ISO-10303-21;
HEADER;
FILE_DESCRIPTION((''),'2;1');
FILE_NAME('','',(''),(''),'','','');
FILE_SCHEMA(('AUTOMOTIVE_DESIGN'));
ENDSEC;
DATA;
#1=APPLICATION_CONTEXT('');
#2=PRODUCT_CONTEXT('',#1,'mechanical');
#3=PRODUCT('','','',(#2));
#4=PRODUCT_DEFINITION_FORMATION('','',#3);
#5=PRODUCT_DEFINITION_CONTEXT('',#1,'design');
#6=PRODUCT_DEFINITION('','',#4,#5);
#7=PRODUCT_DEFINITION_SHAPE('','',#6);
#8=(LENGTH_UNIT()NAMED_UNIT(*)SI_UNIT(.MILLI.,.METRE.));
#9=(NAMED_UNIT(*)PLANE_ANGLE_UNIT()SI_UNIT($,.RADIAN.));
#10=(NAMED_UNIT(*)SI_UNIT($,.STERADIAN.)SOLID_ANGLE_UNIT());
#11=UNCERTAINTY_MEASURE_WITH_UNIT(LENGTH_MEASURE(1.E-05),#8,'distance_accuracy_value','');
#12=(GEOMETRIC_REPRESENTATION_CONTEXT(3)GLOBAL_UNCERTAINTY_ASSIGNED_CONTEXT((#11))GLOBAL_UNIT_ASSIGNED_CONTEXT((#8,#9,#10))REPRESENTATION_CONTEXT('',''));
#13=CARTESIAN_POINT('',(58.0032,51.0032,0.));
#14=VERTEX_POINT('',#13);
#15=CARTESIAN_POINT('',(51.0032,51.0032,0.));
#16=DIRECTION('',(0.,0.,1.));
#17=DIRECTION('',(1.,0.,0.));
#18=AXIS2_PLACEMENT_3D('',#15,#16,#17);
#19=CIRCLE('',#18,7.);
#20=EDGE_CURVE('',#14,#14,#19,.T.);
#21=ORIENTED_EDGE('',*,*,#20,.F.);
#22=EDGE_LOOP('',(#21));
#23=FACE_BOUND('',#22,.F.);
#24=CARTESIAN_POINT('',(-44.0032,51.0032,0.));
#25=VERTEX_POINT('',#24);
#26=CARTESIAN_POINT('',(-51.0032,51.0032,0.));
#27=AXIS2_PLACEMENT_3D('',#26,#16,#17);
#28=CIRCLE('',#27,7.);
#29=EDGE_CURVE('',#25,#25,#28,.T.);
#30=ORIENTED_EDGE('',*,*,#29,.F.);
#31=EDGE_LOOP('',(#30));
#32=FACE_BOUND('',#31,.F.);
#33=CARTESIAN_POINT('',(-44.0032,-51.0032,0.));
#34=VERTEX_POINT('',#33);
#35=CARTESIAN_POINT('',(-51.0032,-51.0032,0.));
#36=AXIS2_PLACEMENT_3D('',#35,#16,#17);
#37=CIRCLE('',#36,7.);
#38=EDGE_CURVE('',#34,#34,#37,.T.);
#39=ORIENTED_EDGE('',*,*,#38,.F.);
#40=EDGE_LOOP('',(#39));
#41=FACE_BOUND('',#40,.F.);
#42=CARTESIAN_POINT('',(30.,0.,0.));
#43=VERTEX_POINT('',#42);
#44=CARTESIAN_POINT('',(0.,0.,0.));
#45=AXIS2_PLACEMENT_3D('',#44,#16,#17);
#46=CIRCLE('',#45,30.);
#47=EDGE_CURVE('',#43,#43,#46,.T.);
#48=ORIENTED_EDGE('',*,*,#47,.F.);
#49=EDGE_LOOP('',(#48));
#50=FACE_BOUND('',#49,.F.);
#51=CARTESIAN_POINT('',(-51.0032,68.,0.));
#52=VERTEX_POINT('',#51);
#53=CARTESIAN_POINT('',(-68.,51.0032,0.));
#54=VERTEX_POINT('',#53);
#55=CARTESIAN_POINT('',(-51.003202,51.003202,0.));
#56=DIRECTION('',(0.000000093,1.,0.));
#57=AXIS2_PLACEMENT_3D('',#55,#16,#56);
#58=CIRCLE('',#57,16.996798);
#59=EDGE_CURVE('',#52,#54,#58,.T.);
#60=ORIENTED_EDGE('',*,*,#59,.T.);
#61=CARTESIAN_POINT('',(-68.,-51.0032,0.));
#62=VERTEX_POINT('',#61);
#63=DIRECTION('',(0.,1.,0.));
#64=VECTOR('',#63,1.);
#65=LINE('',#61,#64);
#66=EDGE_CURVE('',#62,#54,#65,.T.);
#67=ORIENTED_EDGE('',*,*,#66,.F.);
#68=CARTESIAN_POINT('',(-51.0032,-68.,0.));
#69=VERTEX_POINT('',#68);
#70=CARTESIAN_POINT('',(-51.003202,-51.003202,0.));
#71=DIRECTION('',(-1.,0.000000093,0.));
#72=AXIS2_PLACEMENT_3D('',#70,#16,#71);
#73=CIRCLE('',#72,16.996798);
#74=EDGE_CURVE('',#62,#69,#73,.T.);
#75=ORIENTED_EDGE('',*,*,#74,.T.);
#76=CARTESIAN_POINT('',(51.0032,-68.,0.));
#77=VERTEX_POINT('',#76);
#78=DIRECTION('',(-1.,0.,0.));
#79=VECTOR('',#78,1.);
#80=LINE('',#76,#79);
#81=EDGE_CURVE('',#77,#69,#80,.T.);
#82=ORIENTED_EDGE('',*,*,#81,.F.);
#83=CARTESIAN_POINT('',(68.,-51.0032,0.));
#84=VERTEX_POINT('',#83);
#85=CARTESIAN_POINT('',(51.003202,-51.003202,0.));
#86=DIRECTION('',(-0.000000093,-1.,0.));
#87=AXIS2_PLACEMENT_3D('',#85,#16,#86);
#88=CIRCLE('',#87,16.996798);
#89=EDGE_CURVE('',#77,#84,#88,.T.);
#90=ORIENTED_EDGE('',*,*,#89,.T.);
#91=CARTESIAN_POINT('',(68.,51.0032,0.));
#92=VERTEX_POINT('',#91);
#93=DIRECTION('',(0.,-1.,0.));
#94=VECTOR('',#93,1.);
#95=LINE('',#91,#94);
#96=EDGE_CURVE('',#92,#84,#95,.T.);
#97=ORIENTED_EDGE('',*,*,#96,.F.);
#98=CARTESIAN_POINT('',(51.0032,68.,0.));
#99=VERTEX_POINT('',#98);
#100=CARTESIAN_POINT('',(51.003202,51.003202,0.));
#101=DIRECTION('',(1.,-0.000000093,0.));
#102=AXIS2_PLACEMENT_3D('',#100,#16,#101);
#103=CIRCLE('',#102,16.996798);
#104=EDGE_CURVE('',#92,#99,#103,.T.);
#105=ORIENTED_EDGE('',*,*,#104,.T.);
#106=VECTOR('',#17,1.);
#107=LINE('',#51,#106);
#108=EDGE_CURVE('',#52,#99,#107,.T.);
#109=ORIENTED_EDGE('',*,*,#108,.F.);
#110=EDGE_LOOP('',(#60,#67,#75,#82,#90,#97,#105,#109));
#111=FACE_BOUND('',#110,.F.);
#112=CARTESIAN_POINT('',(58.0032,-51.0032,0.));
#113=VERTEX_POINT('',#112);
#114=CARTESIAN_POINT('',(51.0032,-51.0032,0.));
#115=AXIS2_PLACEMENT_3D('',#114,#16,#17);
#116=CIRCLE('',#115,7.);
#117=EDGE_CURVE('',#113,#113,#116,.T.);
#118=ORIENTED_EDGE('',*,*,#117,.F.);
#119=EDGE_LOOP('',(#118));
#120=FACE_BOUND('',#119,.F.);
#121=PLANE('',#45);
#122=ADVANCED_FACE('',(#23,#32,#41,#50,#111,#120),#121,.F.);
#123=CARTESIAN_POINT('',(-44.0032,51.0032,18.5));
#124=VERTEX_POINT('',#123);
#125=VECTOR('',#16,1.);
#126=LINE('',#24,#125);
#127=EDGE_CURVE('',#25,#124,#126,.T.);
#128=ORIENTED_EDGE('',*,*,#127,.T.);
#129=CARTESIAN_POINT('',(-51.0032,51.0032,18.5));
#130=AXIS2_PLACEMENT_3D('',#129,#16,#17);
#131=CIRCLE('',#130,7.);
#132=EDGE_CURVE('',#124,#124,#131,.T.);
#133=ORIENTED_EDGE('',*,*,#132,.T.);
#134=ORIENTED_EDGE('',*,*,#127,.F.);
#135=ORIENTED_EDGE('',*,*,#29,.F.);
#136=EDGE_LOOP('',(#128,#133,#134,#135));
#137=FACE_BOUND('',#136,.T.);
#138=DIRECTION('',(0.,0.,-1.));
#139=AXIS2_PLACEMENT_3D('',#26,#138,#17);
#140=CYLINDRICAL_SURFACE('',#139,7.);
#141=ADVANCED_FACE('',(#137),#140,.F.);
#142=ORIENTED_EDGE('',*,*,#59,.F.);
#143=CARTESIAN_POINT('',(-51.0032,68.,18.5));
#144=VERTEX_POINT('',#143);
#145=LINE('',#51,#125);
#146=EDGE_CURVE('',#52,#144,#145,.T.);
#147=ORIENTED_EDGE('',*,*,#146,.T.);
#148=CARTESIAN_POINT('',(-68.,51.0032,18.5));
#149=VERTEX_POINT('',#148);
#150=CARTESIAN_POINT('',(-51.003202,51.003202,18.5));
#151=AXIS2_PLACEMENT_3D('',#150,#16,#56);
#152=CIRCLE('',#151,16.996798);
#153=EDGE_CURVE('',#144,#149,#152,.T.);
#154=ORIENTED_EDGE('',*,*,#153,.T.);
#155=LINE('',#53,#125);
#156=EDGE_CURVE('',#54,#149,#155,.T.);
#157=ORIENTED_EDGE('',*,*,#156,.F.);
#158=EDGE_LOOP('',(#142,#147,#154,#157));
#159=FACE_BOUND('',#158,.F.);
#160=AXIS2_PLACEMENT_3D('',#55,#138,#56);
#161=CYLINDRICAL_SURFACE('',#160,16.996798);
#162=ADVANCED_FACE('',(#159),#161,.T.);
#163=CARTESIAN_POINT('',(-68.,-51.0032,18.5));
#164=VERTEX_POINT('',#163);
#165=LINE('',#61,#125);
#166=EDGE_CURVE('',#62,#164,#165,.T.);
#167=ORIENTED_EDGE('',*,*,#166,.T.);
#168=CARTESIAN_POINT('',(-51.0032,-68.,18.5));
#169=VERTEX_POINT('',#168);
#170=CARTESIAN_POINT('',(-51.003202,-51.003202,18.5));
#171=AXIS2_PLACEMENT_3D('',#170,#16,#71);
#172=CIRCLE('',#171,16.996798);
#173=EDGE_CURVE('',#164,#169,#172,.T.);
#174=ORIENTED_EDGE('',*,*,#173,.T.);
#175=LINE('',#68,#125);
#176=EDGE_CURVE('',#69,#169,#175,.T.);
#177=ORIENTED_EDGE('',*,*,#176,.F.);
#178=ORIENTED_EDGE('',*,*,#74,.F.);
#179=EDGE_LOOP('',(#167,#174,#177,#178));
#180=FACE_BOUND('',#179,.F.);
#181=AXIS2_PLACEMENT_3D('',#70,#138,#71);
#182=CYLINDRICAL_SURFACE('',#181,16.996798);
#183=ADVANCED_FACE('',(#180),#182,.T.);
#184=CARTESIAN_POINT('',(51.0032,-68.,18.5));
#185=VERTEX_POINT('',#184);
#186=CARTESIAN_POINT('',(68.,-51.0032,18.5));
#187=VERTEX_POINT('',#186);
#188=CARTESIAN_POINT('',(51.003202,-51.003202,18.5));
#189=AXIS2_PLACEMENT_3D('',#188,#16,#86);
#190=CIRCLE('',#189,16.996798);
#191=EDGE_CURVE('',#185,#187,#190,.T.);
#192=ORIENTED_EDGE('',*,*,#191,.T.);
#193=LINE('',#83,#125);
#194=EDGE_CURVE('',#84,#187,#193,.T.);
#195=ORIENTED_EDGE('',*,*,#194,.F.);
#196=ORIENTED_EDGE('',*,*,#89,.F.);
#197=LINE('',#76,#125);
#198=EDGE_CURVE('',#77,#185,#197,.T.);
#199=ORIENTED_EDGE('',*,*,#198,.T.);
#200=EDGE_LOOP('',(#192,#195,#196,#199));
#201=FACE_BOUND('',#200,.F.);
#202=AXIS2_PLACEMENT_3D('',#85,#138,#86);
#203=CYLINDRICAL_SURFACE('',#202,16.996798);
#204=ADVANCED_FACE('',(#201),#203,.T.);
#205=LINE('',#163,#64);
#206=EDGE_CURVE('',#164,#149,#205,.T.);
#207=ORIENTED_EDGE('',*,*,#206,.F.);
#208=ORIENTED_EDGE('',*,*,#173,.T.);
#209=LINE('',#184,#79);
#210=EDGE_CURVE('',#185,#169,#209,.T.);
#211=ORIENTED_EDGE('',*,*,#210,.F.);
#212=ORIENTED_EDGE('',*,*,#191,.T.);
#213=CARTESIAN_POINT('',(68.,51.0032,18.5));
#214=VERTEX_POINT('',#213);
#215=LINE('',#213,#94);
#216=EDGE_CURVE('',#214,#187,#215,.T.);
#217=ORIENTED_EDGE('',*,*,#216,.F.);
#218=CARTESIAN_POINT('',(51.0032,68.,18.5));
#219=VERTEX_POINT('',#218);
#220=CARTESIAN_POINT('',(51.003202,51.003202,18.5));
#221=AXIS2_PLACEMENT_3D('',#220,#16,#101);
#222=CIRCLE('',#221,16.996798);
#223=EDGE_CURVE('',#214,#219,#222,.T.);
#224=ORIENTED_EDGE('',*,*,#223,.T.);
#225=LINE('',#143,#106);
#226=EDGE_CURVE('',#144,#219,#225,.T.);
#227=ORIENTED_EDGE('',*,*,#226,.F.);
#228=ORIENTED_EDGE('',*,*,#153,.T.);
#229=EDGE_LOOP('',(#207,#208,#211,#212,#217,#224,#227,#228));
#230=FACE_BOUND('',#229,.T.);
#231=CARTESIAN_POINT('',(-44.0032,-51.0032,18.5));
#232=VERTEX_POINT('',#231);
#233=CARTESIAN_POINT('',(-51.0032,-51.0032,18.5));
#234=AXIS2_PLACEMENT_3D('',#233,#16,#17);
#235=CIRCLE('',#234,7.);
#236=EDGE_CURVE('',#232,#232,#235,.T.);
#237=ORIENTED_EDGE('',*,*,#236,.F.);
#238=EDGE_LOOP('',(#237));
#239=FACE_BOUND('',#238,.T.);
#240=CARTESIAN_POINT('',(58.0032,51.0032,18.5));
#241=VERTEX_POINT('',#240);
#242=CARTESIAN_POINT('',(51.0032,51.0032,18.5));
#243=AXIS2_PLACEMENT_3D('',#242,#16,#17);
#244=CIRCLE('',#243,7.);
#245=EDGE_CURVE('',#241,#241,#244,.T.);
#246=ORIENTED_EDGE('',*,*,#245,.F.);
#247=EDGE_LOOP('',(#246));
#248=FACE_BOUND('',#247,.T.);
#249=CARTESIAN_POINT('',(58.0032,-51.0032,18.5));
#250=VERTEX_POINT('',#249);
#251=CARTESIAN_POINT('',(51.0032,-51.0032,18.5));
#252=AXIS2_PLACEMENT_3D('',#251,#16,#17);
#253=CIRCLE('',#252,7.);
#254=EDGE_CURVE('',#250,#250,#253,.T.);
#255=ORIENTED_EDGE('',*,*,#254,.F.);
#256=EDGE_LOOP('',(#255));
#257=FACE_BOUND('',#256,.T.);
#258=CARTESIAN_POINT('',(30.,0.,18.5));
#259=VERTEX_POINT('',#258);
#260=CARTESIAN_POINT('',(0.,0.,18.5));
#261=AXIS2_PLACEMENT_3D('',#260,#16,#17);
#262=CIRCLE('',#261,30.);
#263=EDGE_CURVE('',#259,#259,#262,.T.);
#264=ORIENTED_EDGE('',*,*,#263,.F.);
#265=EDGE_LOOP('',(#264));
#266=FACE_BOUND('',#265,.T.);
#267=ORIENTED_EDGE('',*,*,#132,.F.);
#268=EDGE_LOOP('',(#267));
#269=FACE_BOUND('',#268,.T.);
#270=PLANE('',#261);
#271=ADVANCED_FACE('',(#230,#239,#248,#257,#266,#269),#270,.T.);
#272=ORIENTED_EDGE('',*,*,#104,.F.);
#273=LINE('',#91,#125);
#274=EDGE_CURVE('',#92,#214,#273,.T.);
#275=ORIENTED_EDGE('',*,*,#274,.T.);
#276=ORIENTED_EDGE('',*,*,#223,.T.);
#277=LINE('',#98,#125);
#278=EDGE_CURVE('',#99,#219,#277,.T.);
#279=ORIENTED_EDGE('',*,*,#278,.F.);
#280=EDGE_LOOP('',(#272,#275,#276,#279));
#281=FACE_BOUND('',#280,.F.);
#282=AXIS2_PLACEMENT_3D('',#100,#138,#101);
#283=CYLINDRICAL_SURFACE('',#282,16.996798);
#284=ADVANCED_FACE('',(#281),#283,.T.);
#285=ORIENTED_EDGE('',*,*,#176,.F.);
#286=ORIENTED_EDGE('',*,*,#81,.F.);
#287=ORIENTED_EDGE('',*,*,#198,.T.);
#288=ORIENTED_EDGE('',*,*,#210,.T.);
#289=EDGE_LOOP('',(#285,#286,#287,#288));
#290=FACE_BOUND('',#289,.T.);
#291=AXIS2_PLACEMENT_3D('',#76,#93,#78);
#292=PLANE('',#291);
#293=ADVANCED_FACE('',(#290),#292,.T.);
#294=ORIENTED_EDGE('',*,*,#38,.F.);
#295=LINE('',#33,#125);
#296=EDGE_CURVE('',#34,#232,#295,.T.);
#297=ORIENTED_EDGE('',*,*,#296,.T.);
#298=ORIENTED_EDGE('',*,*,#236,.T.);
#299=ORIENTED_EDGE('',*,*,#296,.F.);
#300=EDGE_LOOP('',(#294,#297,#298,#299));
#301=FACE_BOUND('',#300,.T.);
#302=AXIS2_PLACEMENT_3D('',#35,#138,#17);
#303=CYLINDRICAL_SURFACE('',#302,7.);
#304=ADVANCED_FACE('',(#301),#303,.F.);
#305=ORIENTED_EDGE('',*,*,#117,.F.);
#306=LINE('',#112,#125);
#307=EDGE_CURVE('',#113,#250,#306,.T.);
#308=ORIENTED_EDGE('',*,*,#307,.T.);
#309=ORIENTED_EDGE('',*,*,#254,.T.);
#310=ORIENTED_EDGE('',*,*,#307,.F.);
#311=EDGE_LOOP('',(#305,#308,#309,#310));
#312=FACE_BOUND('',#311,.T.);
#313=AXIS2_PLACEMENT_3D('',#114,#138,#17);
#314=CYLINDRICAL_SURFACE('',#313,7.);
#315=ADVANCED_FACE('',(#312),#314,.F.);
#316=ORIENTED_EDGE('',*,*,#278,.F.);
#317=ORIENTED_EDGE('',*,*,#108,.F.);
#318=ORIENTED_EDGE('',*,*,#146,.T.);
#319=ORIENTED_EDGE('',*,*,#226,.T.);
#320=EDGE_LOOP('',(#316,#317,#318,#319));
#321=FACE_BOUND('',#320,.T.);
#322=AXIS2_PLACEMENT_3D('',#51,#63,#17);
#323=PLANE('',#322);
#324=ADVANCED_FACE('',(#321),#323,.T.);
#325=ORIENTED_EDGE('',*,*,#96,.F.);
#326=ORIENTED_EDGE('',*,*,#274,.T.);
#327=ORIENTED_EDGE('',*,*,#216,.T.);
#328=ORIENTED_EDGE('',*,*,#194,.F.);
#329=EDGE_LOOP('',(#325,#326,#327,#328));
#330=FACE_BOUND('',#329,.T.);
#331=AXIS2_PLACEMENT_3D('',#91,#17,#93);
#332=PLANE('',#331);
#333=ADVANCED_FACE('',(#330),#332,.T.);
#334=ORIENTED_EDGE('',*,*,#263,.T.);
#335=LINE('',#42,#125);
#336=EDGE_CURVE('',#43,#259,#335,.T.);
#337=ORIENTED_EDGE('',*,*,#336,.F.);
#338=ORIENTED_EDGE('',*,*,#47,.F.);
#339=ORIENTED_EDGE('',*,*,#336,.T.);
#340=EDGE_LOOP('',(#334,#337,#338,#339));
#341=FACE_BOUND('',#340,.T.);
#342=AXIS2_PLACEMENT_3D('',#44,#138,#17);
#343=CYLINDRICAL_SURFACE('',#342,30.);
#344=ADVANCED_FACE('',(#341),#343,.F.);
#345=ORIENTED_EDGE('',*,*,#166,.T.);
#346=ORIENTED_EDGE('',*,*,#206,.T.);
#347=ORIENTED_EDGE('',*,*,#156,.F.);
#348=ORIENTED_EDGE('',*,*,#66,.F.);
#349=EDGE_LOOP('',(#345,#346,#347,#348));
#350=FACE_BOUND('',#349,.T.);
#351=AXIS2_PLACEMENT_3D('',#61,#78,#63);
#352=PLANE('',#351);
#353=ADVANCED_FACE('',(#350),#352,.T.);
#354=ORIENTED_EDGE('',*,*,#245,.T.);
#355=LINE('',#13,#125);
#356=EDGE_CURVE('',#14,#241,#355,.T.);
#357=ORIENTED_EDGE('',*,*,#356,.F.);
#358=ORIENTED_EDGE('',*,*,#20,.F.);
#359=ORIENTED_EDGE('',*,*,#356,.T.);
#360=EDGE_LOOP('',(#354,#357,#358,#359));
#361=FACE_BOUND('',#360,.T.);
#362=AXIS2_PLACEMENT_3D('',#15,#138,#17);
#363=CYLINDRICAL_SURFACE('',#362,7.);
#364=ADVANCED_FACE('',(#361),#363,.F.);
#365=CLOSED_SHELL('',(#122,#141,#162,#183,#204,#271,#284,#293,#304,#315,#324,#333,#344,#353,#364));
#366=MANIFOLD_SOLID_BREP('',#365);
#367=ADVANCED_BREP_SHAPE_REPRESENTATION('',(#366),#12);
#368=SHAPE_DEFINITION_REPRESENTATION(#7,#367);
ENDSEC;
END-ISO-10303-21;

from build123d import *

# Parameters (mm, degrees)
SKETCH001_R   = 7
SKETCH001_R_2 = 30
PAD_DEPTH     = 18.5


with BuildPart() as part:
    # Sketch001 → Pad (new body)
    with BuildSketch(Plane.XY):
        with BuildLine():
            ThreePointArc((-51.0032, 68), (-63.021753, 63.021753), (-68, 51.0032))
            Line((-68, -51.0032), (-68, 51.0032))
            ThreePointArc((-68, -51.0032), (-63.021753, -63.021753), (-51.0032, -68))
            Line((51.0032, -68), (-51.0032, -68))
            ThreePointArc((51.0032, -68), (63.021753, -63.021753), (68, -51.0032))
            Line((68, 51.0032), (68, -51.0032))
            ThreePointArc((68, 51.0032), (63.021753, 63.021753), (51.0032, 68))
            Line((-51.0032, 68), (51.0032, 68))
        make_face()
        with Locations((51.0032, 51.0032)):
            Circle(SKETCH001_R, mode=Mode.SUBTRACT)
        with Locations((-51.0032, 51.0032)):
            Circle(SKETCH001_R, mode=Mode.SUBTRACT)
        with Locations((-51.0032, -51.0032)):
            Circle(SKETCH001_R, mode=Mode.SUBTRACT)
        with Locations((51.0032, -51.0032)):
            Circle(SKETCH001_R, mode=Mode.SUBTRACT)
        Circle(SKETCH001_R_2, mode=Mode.SUBTRACT)
    extrude(amount=PAD_DEPTH)


solid = part.part
